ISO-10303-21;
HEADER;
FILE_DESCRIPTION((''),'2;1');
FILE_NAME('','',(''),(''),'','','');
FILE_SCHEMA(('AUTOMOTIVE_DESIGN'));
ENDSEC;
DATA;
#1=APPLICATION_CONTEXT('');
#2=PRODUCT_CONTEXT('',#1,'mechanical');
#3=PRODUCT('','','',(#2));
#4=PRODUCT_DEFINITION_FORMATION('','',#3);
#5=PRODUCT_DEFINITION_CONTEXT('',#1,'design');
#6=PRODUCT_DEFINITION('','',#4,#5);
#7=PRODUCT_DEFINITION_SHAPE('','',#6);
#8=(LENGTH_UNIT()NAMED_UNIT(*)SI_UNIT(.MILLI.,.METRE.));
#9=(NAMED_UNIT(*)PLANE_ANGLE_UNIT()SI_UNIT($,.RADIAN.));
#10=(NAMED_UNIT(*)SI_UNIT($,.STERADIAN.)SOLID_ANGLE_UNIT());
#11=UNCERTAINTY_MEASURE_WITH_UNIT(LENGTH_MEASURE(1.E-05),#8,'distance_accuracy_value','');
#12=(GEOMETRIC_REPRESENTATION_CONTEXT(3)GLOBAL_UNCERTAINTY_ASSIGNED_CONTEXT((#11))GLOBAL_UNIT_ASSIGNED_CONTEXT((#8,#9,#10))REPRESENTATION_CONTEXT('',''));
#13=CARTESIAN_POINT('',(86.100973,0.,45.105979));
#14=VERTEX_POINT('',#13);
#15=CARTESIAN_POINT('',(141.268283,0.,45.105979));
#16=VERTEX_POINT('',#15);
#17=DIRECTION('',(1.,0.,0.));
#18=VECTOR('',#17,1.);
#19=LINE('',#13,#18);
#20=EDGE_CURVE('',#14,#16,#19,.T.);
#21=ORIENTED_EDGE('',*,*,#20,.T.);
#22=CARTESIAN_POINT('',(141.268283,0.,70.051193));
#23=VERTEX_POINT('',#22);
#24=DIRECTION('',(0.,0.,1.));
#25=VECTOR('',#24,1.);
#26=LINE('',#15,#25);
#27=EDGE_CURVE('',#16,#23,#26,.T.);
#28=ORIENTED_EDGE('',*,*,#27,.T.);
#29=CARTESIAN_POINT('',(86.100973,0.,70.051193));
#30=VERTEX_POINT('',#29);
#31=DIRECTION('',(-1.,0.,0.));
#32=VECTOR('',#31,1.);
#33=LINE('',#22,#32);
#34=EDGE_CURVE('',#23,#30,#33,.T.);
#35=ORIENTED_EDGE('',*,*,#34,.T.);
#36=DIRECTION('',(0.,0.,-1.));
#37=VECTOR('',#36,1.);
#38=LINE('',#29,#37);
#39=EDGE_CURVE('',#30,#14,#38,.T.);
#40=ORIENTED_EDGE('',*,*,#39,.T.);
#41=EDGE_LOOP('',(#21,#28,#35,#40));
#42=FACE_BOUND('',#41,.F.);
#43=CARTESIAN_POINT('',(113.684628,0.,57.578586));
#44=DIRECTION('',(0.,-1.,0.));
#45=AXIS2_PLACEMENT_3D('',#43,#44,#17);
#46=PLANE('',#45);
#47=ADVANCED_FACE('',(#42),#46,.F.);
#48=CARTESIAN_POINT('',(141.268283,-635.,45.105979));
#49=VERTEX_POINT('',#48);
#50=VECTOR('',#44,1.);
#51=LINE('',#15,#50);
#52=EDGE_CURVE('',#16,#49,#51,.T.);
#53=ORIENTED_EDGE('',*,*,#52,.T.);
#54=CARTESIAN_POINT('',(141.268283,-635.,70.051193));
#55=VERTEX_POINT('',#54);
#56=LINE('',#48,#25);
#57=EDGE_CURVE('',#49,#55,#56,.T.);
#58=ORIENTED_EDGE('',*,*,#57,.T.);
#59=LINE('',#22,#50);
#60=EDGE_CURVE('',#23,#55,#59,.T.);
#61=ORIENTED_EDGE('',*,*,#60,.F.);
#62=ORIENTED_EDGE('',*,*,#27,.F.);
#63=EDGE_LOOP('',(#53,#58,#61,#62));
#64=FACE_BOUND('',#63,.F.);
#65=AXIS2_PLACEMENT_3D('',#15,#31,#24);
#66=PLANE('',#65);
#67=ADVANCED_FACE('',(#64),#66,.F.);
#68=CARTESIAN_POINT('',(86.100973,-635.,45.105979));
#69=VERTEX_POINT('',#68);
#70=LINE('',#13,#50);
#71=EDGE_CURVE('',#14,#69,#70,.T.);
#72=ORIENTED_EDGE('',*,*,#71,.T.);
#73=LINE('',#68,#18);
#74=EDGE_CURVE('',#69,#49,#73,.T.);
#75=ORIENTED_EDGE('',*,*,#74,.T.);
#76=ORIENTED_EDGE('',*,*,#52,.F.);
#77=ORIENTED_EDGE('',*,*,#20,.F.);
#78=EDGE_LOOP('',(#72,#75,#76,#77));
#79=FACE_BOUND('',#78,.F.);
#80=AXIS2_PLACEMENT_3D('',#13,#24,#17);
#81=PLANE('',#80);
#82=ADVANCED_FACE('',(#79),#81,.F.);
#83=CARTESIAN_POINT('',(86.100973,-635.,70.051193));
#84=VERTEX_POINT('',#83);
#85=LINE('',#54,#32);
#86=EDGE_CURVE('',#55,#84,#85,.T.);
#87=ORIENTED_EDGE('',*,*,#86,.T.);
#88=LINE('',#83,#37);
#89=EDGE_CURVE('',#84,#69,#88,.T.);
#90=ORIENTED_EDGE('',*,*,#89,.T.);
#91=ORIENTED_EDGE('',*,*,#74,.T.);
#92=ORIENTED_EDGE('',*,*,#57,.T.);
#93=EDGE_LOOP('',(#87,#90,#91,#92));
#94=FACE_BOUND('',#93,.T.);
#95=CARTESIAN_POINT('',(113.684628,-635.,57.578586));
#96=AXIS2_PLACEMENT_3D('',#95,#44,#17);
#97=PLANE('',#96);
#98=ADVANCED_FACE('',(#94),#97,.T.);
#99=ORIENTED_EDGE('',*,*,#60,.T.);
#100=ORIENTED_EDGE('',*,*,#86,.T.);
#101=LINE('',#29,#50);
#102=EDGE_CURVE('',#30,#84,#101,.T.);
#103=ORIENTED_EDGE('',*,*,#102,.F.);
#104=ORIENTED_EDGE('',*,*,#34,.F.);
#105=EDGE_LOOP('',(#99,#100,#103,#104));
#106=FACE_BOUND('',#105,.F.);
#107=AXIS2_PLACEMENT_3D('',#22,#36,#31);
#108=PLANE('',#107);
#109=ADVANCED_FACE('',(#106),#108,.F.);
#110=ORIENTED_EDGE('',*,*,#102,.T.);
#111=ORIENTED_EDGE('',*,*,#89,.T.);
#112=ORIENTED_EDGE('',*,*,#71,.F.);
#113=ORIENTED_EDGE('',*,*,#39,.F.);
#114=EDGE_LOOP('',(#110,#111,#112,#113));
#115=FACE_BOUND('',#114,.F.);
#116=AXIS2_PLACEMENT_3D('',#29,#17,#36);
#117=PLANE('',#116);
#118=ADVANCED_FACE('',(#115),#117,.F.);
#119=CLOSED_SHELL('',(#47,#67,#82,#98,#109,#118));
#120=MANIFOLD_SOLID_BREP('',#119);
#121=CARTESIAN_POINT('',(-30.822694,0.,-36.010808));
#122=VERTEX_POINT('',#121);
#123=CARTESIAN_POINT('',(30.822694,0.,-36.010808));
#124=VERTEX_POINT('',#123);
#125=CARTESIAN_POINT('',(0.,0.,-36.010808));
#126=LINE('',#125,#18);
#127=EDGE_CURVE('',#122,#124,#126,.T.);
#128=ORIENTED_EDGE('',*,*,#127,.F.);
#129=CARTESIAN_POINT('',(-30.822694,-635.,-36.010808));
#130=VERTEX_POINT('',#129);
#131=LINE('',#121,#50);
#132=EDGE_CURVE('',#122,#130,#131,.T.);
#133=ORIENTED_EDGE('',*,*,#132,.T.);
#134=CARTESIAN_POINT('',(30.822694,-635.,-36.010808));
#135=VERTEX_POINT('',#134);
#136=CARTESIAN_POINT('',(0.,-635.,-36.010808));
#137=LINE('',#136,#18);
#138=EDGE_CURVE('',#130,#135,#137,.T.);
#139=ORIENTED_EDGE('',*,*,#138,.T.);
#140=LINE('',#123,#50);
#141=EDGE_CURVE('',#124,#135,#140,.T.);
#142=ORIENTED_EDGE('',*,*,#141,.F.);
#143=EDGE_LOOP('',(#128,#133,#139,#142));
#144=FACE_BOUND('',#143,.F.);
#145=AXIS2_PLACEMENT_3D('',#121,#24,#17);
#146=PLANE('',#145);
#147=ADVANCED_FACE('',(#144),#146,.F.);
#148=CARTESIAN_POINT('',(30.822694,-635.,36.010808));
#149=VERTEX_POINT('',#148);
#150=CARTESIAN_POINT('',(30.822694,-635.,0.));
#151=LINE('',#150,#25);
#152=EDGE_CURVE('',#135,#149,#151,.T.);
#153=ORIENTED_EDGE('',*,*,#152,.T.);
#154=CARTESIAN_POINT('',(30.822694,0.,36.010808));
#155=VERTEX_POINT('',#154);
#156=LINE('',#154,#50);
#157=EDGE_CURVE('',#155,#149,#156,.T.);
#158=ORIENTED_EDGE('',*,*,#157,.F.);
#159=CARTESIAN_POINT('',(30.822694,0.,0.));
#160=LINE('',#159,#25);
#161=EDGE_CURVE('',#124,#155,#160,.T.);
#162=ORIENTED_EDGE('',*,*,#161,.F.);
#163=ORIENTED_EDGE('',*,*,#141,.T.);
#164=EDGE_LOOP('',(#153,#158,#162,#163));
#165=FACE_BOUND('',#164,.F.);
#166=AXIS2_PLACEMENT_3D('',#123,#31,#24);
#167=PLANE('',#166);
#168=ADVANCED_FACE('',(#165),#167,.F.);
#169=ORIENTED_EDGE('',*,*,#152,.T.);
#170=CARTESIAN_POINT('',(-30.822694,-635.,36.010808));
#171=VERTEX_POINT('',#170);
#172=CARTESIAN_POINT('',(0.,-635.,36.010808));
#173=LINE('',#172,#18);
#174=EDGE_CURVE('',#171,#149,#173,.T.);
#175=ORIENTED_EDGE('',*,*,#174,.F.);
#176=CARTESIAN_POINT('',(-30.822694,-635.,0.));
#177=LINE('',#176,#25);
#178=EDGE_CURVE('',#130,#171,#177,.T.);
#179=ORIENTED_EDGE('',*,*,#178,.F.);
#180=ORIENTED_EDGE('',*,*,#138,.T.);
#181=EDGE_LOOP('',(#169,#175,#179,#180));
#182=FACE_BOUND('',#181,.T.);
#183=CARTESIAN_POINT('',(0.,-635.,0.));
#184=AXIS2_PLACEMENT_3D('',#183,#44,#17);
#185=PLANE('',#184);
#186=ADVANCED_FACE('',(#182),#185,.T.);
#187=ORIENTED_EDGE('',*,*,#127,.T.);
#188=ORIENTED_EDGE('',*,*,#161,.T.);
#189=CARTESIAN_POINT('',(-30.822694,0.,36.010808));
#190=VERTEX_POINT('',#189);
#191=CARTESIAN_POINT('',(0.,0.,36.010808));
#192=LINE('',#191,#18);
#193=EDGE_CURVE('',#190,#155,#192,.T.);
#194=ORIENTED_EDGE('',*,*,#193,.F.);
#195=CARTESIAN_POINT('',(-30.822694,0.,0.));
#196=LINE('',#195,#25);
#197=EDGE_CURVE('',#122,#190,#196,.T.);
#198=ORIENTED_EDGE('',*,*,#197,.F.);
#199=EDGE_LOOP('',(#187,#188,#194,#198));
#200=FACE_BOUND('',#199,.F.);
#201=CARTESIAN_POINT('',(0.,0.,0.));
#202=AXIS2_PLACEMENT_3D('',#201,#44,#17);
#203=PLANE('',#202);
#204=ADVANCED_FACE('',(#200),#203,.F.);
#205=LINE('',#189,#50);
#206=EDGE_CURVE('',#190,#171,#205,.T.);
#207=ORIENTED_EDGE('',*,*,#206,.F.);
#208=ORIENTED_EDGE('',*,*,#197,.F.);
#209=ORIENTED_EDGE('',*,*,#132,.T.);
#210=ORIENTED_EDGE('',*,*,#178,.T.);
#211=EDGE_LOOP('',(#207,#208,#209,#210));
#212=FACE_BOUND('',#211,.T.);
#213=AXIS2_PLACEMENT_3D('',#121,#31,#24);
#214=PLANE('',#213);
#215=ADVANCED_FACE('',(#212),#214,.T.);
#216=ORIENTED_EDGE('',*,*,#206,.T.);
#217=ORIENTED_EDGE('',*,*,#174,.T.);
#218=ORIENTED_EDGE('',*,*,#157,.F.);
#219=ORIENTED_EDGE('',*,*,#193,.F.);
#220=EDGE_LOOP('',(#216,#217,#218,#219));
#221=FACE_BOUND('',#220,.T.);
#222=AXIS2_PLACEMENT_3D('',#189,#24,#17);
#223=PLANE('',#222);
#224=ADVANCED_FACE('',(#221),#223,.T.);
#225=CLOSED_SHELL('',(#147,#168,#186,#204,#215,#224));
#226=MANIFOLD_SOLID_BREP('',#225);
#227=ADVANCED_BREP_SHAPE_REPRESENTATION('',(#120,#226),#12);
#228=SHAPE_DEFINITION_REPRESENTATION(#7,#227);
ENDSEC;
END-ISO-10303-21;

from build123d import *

# Parameters (mm, degrees)
F0_W     = 61.645388
F0_H     = 72.021616
F1_DEPTH = 635


with BuildPart() as f1:
    # F0 (on Front) → F1 (new body)
    with BuildSketch(Plane.XZ):
        Polygon((86.100973, 70.051193), (86.100973, 53.19738), (86.100973, 45.105979), (141.268283, 45.105979), (141.268283, 70.051193), align=None)
        Rectangle(F0_W, F0_H)
    extrude(amount=F1_DEPTH)


solid = f1.part
